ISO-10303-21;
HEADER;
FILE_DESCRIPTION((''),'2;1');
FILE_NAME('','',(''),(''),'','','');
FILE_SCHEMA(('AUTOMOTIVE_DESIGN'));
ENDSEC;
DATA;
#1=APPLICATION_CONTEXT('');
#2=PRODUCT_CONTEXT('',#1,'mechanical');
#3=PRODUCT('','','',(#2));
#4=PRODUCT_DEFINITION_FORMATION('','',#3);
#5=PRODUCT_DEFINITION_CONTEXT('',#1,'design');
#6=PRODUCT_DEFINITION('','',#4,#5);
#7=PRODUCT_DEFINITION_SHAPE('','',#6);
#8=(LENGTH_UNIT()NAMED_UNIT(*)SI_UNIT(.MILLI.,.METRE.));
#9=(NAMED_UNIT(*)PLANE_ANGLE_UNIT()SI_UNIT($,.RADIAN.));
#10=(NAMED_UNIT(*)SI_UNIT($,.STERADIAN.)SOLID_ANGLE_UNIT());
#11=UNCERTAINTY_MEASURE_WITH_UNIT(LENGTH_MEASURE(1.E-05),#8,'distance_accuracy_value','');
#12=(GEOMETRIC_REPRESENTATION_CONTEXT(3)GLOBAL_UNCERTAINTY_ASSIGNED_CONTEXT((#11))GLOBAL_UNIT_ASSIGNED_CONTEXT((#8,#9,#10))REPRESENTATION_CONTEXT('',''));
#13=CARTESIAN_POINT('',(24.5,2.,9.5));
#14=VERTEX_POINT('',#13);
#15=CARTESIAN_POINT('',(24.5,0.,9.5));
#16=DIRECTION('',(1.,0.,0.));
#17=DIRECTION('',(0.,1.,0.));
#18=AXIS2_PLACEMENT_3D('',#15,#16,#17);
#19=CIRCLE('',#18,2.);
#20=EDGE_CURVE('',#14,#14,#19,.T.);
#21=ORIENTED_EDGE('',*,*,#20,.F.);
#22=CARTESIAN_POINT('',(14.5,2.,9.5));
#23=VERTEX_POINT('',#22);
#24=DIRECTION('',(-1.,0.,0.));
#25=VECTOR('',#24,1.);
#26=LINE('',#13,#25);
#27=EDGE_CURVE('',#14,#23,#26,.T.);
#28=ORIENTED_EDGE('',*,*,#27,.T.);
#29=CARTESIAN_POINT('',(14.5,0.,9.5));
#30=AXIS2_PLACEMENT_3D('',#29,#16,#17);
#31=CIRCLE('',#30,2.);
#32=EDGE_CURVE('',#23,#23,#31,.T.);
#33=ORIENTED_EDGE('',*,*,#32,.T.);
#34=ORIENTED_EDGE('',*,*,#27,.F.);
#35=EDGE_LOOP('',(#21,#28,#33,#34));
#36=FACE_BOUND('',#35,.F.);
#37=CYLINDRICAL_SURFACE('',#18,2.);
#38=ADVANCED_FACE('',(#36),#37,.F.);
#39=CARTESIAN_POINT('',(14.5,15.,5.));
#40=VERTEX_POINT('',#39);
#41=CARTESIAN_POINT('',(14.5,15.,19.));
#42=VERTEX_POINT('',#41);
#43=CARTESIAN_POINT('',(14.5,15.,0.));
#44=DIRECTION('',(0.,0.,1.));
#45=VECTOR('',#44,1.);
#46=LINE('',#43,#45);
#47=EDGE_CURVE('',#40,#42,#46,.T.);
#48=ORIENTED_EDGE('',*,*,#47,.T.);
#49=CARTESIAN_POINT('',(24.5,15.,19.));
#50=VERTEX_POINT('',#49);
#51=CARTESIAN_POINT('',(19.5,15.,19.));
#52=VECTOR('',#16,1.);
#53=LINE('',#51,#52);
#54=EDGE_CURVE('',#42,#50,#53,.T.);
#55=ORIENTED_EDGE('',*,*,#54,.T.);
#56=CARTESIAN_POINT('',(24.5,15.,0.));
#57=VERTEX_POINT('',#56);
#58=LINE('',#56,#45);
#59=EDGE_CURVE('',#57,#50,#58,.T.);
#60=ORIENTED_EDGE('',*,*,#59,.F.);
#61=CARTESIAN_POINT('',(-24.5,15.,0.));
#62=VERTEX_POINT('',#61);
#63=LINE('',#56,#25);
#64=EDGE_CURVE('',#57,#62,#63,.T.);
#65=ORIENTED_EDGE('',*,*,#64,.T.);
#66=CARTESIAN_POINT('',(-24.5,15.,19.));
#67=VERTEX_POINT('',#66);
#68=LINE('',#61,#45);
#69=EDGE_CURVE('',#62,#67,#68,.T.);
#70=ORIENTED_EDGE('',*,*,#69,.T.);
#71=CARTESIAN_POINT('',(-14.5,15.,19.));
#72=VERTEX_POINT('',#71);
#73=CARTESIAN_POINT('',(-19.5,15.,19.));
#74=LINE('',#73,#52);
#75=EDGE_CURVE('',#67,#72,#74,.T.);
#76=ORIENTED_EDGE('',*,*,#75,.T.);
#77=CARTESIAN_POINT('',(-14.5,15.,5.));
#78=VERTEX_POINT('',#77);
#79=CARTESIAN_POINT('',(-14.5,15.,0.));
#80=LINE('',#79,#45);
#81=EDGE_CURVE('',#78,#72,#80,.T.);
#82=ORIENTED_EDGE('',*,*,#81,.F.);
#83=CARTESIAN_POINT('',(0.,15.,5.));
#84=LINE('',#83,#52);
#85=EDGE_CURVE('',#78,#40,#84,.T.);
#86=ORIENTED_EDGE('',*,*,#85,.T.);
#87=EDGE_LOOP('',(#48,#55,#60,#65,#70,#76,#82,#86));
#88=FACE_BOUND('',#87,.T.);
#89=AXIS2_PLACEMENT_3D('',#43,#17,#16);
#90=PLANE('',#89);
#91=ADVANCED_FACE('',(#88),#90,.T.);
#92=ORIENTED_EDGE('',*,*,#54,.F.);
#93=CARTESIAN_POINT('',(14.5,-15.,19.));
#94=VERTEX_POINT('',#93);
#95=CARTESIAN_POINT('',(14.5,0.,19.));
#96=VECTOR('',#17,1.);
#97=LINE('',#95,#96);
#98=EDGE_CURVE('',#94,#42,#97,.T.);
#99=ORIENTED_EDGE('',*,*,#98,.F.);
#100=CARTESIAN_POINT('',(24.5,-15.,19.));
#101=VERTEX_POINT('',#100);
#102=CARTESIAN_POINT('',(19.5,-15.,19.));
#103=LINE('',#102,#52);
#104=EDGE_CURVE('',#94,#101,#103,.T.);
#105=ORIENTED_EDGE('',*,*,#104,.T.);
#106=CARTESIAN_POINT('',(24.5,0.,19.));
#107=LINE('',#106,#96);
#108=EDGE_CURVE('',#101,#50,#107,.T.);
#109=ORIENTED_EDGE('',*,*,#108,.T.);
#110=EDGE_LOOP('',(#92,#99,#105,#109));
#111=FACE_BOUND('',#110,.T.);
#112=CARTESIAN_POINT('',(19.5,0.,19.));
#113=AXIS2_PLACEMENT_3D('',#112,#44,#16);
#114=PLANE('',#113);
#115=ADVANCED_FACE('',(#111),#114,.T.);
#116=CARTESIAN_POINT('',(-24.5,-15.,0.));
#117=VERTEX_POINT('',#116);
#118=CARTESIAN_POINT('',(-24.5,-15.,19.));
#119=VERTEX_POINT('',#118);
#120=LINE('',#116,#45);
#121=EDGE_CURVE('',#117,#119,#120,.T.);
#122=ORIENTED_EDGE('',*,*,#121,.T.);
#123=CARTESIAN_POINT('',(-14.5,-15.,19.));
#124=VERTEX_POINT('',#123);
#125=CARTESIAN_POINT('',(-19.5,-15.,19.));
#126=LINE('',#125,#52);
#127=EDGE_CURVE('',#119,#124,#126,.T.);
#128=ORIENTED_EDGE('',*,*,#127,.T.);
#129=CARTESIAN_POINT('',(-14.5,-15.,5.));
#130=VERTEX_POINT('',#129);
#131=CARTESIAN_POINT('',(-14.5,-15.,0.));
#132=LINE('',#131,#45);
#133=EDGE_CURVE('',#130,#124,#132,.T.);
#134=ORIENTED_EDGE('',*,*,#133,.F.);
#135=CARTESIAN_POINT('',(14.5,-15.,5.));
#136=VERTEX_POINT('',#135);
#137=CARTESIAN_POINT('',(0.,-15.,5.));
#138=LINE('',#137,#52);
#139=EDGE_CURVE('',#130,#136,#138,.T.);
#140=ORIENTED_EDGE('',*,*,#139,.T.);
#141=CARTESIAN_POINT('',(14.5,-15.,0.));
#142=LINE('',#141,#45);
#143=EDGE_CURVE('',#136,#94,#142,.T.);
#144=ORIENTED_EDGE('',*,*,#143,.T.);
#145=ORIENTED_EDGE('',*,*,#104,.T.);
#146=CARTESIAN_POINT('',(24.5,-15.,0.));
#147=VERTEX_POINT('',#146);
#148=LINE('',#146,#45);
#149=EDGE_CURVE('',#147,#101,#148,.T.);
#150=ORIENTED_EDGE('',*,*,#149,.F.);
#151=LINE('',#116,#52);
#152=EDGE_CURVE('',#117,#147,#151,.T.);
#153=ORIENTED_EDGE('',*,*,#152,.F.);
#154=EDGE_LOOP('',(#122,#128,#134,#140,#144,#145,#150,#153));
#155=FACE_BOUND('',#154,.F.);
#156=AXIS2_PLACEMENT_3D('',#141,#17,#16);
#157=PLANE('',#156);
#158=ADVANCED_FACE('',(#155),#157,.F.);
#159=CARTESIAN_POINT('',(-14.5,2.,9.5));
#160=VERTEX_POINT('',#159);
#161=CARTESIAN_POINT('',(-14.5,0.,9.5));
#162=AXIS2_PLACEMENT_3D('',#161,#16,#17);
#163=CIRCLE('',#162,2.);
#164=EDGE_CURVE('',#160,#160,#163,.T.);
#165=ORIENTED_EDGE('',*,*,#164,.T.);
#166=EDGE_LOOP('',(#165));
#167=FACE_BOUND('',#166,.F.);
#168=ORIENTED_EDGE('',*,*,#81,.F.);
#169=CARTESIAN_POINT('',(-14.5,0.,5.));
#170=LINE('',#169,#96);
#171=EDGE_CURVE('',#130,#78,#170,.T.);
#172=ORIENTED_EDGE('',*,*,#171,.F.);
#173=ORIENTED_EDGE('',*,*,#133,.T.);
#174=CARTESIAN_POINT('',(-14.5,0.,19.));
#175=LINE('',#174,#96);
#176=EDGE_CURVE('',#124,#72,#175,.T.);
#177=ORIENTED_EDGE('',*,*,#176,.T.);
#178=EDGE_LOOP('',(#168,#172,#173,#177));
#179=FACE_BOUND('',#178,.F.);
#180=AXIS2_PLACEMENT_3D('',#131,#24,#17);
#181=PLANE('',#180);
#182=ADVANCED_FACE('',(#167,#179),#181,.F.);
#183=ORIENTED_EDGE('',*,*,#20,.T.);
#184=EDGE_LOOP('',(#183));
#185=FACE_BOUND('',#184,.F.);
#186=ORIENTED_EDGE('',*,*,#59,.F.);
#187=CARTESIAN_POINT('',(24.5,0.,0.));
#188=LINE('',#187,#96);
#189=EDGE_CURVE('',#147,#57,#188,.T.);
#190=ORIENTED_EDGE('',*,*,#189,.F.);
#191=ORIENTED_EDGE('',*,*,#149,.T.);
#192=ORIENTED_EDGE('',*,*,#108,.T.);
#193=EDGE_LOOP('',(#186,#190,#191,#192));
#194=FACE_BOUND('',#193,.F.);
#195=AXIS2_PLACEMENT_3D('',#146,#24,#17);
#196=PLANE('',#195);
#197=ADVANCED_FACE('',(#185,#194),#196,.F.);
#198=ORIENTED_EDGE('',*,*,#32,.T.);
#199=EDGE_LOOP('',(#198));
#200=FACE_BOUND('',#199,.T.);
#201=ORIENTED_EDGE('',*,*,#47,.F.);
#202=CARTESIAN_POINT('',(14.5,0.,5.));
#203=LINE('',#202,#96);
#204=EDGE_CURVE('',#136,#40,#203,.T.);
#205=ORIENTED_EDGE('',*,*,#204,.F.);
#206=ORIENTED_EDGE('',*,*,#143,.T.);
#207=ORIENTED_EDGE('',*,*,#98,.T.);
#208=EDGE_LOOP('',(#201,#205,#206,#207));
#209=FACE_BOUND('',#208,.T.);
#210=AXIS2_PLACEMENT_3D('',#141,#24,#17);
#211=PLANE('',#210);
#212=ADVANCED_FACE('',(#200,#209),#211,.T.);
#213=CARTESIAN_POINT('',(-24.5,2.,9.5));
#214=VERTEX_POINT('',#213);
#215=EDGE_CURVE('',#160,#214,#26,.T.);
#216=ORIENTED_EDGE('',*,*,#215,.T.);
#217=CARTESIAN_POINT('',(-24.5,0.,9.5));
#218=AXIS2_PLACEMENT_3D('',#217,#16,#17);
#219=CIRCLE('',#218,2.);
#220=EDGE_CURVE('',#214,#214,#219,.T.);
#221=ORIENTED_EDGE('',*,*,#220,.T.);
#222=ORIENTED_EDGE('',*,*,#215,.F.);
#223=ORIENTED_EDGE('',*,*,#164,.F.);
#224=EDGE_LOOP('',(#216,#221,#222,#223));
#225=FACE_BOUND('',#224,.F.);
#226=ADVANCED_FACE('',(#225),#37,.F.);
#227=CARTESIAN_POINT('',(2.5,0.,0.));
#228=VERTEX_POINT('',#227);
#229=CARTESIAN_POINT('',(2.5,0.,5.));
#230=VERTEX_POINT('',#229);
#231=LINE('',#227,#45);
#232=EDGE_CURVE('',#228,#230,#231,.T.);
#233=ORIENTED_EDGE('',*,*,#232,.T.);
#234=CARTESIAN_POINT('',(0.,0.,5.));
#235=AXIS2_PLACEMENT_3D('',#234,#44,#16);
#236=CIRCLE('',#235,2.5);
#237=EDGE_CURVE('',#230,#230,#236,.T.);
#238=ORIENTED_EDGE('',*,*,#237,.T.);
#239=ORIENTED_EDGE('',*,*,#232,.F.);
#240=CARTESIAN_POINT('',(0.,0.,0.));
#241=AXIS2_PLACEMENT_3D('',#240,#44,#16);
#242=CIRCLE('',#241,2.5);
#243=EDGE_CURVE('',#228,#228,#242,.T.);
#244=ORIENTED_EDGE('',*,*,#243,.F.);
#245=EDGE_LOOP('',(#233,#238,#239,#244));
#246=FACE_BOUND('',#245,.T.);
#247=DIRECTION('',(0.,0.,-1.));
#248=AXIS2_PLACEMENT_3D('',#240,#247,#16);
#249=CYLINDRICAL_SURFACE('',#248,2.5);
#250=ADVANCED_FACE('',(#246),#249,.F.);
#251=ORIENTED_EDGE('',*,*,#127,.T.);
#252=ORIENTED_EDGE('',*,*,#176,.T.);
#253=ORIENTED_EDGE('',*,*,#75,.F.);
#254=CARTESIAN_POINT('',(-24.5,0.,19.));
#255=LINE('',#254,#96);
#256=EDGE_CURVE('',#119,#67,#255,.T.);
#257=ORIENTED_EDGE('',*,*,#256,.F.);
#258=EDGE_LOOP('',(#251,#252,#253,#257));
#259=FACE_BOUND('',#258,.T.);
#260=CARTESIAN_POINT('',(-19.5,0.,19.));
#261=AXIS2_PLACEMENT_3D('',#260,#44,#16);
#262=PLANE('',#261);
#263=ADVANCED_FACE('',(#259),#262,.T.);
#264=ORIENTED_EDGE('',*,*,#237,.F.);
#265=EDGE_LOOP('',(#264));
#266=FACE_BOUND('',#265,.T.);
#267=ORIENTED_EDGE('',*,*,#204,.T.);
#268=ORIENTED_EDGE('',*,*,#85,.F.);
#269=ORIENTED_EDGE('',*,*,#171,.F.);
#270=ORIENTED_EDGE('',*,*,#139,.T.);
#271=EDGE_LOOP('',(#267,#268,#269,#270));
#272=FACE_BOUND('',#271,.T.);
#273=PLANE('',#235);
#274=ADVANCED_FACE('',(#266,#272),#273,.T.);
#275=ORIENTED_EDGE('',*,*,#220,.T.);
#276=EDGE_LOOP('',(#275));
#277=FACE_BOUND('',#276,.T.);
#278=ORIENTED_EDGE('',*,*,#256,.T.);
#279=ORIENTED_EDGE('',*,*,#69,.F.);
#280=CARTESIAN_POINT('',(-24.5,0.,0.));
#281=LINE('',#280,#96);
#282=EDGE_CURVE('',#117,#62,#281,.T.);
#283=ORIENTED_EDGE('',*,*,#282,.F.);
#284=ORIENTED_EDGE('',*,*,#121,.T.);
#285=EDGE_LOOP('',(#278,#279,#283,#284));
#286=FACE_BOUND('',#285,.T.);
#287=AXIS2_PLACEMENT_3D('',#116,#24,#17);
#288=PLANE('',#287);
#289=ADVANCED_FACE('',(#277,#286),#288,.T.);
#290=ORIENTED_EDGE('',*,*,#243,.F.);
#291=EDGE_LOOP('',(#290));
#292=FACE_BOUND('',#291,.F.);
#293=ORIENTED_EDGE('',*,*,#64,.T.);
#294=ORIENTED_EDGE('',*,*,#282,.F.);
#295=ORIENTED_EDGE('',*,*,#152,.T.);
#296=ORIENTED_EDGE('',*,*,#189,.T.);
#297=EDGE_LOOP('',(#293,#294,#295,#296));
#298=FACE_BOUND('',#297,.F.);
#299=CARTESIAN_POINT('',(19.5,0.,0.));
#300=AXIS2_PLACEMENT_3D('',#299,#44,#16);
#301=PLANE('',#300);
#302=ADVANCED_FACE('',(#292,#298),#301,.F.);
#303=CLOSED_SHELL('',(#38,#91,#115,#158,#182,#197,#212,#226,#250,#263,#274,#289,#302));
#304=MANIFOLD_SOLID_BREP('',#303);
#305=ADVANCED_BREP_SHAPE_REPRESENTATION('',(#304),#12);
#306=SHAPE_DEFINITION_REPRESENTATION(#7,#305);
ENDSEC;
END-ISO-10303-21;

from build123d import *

# Parameters (mm, degrees)
F0_W     = 29
F0_H     = 30
F0_R     = 2.5
F1_DEPTH = 5
F0_W_2   = 10
F2_DEPTH = 19
F3_DEPTH = 19
F4_R     = 2
F5_DEPTH = 49.001


with BuildPart() as f1:
    # F0 (on Top) → F1 (new body)
    with BuildSketch(Plane.XY):
        Rectangle(F0_W, F0_H)
        Circle(F0_R, mode=Mode.SUBTRACT)
    extrude(amount=F1_DEPTH)

    # F0 (on Top) → F2 (join)
    with BuildSketch(Plane.XY):
        with Locations((-19.5, 0)):
            Rectangle(F0_W_2, F0_H)
    extrude(amount=F2_DEPTH)

    # F0 (on Top) → F3 (join)
    with BuildSketch(Plane.XY):
        with Locations((19.5, 0)):
            Rectangle(F0_W_2, F0_H)
    extrude(amount=F3_DEPTH)

    # F4 (on face) → F5 (cut, through all)
    with BuildSketch(Plane.YZ.offset(24.5)):
        with Locations((0, 9.5)):
            Circle(F4_R)
    extrude(amount=-F5_DEPTH, mode=Mode.SUBTRACT)


solid = f1.part
